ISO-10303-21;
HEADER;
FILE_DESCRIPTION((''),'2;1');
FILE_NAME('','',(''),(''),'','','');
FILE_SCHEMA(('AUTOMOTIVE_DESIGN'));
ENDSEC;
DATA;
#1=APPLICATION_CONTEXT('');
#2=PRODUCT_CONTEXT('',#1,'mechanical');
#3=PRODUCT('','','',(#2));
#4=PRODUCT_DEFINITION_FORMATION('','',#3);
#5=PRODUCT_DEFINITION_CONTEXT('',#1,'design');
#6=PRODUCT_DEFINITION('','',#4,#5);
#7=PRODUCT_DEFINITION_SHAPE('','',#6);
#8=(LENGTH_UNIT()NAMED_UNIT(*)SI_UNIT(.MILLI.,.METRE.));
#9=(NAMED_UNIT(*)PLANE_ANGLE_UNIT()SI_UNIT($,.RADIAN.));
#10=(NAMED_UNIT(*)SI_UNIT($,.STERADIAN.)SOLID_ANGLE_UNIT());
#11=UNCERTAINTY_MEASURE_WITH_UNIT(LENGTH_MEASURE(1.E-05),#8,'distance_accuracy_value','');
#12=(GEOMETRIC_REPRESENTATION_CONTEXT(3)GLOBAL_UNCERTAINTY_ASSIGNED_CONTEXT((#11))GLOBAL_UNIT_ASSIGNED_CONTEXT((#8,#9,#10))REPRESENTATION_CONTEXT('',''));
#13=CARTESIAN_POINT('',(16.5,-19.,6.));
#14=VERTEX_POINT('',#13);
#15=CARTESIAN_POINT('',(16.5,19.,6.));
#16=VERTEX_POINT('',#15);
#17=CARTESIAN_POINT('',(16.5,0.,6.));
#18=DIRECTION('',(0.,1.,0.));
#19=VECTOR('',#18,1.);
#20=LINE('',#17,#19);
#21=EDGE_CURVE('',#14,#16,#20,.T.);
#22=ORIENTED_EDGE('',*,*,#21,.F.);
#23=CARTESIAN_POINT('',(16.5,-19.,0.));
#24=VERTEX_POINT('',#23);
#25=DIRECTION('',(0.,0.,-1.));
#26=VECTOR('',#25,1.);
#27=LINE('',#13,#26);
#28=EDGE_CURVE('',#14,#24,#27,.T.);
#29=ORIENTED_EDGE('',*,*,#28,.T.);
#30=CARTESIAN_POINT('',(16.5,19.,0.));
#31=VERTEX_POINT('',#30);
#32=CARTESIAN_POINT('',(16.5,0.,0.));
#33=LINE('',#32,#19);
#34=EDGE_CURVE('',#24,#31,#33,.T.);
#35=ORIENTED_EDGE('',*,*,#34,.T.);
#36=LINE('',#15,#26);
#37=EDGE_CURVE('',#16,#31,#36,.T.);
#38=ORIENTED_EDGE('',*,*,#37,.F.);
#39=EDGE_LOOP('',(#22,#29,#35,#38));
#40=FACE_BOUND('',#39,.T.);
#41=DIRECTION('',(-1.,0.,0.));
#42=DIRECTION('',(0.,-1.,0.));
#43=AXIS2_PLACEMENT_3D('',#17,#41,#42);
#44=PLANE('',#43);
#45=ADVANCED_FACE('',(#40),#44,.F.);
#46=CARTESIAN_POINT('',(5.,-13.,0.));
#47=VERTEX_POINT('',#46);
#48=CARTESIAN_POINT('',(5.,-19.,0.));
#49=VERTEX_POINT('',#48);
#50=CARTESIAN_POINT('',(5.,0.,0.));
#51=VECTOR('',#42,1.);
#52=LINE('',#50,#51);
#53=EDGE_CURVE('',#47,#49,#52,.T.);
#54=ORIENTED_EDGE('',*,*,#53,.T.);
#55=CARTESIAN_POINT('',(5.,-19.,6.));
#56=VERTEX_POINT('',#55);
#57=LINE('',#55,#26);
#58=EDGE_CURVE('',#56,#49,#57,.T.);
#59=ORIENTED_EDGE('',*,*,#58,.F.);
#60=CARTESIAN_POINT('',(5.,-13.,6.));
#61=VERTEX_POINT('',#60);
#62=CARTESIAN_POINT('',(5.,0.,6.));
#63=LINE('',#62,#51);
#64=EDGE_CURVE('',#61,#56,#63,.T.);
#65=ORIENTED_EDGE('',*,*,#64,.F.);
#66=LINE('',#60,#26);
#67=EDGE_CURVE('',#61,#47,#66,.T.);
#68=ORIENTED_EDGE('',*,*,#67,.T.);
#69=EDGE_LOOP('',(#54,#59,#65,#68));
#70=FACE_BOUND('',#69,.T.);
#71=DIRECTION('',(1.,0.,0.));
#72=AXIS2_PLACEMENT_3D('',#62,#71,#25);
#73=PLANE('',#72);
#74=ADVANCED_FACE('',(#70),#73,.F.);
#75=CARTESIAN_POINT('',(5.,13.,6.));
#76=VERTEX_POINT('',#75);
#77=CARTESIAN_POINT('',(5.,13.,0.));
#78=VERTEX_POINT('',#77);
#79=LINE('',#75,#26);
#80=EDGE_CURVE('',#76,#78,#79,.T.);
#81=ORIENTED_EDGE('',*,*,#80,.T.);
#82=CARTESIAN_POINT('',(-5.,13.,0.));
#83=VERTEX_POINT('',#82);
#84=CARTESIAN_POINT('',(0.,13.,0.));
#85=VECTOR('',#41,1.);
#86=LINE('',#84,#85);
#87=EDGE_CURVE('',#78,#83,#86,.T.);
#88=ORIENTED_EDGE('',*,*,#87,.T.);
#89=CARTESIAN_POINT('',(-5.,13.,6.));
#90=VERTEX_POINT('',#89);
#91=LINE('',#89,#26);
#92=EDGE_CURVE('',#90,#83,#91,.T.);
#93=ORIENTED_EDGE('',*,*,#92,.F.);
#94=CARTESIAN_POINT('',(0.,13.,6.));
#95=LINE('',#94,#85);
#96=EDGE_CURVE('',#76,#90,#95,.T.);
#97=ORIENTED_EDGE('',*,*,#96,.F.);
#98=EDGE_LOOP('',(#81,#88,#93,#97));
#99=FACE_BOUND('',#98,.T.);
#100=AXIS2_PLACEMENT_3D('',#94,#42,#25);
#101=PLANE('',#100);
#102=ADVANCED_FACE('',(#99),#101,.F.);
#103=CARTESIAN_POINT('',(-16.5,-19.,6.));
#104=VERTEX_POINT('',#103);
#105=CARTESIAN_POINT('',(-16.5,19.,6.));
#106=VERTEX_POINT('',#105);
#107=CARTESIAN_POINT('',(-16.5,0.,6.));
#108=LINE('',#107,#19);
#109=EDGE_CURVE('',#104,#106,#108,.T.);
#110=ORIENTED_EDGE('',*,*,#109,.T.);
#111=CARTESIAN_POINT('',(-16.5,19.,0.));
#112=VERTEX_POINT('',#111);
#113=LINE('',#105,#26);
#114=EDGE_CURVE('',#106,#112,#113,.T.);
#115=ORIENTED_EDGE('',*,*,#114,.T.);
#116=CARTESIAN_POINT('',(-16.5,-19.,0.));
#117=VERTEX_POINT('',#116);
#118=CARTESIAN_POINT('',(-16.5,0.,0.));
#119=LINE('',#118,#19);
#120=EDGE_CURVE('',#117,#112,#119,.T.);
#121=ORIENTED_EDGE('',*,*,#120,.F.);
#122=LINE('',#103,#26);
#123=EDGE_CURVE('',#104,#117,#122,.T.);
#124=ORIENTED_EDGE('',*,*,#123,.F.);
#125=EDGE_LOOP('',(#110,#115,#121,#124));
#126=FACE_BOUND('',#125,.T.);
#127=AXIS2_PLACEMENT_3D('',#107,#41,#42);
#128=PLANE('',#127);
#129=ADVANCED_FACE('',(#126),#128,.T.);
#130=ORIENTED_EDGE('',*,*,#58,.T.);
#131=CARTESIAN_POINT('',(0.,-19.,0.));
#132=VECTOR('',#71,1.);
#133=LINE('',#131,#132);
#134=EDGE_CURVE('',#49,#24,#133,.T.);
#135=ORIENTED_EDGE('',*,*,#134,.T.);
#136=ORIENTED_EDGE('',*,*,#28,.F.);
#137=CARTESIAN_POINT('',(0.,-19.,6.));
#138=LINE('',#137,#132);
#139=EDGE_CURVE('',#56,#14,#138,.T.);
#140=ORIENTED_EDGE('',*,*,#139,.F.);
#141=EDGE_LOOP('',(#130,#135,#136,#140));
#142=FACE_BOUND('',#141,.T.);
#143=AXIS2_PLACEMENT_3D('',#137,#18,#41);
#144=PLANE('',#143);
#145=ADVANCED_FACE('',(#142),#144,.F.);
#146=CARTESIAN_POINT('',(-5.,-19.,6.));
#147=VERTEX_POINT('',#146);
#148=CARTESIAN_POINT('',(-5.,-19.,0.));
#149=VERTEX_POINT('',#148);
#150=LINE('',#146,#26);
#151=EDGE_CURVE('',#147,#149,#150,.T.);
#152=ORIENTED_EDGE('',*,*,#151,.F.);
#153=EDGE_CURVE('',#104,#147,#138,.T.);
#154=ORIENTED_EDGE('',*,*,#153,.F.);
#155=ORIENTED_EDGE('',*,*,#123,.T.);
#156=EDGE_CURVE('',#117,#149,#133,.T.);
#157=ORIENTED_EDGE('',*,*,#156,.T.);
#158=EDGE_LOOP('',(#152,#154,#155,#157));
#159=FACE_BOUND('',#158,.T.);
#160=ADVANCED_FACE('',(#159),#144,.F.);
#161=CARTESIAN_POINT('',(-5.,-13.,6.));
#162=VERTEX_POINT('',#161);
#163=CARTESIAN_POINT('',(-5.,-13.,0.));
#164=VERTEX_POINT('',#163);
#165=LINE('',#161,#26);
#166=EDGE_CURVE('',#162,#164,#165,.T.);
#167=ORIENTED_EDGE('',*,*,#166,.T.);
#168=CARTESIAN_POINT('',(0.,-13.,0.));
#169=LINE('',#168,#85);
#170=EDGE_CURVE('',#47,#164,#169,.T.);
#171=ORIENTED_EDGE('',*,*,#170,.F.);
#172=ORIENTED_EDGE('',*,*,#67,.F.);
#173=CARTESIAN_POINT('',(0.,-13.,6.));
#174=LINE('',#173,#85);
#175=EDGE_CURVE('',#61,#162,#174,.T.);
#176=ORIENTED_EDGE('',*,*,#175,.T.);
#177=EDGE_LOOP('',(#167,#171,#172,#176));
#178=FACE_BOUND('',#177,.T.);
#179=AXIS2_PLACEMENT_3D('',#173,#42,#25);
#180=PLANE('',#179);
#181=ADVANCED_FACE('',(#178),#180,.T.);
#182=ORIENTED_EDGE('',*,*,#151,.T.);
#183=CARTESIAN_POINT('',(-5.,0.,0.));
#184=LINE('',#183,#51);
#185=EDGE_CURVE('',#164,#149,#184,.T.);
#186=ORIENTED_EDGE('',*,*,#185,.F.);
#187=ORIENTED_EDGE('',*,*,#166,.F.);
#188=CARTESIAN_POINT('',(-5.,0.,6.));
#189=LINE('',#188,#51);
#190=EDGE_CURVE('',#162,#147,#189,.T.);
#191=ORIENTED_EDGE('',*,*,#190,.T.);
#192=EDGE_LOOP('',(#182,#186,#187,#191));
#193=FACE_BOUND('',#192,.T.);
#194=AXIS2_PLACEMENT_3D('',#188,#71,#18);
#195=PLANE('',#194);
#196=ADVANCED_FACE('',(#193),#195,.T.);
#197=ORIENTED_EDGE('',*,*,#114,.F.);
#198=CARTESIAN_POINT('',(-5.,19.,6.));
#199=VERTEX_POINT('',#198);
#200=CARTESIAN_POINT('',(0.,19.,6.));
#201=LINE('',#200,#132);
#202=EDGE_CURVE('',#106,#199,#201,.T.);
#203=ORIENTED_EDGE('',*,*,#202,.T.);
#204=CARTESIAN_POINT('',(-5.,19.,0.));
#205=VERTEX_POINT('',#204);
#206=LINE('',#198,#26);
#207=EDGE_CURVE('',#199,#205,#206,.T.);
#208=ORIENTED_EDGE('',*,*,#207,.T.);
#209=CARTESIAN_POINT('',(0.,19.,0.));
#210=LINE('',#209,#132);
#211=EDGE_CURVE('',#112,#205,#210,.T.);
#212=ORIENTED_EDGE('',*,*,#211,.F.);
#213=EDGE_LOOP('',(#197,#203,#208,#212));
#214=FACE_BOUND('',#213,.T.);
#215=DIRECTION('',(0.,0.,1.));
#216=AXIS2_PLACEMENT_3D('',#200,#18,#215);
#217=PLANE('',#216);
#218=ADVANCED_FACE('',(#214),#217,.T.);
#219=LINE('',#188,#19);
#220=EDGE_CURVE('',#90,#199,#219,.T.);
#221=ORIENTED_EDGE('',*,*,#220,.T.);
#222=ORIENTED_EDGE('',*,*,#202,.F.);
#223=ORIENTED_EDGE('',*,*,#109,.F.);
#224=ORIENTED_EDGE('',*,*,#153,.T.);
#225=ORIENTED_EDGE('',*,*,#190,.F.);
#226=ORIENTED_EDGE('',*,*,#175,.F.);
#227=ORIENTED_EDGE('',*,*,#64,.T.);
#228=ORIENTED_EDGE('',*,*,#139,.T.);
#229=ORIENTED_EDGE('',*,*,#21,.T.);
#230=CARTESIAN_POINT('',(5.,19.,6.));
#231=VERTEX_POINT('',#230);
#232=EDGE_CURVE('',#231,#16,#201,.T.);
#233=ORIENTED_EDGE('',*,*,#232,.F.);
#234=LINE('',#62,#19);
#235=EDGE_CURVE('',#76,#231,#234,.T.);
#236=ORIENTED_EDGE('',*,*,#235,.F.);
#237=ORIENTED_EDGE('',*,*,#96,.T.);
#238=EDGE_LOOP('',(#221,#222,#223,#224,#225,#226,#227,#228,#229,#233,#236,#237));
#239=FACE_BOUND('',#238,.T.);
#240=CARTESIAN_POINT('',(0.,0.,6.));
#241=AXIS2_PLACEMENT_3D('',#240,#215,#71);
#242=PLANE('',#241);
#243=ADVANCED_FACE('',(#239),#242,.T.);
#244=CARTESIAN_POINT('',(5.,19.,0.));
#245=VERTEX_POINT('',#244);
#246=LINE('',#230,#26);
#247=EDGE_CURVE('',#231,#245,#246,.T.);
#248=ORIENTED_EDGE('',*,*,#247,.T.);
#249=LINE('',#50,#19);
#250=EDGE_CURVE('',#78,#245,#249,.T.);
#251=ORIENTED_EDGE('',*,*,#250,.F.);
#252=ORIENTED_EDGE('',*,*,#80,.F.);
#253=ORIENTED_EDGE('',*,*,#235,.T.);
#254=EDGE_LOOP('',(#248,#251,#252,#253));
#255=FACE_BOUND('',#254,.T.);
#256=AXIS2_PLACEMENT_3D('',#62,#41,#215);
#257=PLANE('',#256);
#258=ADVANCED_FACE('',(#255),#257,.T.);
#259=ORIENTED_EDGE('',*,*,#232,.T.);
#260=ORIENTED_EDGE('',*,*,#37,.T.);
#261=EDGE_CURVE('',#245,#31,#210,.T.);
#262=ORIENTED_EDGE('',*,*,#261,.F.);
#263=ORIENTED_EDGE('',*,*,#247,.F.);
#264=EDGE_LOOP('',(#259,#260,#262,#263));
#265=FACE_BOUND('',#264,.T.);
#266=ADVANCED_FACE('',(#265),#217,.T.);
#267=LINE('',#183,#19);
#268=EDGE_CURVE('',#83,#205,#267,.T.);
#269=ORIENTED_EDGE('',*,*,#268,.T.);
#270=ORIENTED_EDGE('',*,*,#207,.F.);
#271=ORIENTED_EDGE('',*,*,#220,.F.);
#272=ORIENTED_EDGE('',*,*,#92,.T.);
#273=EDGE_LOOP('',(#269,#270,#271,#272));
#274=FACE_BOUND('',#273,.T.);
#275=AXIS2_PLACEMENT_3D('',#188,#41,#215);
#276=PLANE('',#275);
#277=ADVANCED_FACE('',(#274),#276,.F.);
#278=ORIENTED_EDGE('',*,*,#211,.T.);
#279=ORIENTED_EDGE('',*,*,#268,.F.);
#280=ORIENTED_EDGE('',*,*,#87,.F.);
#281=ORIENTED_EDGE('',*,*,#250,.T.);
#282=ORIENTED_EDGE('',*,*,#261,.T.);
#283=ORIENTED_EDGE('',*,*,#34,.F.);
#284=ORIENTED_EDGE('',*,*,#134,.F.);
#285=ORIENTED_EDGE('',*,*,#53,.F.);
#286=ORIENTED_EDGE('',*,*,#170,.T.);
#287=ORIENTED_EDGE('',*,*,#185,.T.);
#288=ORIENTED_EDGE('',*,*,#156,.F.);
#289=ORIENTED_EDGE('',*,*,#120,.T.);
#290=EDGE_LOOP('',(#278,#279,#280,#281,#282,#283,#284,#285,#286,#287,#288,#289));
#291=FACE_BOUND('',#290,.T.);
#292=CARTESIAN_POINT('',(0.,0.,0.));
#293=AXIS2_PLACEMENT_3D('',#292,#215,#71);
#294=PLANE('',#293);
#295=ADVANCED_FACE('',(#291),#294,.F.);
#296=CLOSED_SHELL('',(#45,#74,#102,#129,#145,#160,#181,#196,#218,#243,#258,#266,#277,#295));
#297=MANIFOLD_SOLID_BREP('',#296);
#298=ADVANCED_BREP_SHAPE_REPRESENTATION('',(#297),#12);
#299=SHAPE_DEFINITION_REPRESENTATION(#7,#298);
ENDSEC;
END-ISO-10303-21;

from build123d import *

# Parameters (mm, degrees)
RESSALTO_EXTRUS_O1_DEPTH = 6


with BuildPart() as part:
    # Esboço1 → Ressalto-extrusão1 (new body)
    with BuildSketch(Plane.XY):
        Polygon((-16.5, -13), (-16.5, -19), (-5, -19), (-5, -13), (5, -13), (5, -19), (16.5, -19), (16.5, 19), (5, 19), (5, 13), (-5, 13), (-5, 19), (-16.5, 19), (-16.5, 13), align=None)
    extrude(amount=RESSALTO_EXTRUS_O1_DEPTH)


solid = part.part
